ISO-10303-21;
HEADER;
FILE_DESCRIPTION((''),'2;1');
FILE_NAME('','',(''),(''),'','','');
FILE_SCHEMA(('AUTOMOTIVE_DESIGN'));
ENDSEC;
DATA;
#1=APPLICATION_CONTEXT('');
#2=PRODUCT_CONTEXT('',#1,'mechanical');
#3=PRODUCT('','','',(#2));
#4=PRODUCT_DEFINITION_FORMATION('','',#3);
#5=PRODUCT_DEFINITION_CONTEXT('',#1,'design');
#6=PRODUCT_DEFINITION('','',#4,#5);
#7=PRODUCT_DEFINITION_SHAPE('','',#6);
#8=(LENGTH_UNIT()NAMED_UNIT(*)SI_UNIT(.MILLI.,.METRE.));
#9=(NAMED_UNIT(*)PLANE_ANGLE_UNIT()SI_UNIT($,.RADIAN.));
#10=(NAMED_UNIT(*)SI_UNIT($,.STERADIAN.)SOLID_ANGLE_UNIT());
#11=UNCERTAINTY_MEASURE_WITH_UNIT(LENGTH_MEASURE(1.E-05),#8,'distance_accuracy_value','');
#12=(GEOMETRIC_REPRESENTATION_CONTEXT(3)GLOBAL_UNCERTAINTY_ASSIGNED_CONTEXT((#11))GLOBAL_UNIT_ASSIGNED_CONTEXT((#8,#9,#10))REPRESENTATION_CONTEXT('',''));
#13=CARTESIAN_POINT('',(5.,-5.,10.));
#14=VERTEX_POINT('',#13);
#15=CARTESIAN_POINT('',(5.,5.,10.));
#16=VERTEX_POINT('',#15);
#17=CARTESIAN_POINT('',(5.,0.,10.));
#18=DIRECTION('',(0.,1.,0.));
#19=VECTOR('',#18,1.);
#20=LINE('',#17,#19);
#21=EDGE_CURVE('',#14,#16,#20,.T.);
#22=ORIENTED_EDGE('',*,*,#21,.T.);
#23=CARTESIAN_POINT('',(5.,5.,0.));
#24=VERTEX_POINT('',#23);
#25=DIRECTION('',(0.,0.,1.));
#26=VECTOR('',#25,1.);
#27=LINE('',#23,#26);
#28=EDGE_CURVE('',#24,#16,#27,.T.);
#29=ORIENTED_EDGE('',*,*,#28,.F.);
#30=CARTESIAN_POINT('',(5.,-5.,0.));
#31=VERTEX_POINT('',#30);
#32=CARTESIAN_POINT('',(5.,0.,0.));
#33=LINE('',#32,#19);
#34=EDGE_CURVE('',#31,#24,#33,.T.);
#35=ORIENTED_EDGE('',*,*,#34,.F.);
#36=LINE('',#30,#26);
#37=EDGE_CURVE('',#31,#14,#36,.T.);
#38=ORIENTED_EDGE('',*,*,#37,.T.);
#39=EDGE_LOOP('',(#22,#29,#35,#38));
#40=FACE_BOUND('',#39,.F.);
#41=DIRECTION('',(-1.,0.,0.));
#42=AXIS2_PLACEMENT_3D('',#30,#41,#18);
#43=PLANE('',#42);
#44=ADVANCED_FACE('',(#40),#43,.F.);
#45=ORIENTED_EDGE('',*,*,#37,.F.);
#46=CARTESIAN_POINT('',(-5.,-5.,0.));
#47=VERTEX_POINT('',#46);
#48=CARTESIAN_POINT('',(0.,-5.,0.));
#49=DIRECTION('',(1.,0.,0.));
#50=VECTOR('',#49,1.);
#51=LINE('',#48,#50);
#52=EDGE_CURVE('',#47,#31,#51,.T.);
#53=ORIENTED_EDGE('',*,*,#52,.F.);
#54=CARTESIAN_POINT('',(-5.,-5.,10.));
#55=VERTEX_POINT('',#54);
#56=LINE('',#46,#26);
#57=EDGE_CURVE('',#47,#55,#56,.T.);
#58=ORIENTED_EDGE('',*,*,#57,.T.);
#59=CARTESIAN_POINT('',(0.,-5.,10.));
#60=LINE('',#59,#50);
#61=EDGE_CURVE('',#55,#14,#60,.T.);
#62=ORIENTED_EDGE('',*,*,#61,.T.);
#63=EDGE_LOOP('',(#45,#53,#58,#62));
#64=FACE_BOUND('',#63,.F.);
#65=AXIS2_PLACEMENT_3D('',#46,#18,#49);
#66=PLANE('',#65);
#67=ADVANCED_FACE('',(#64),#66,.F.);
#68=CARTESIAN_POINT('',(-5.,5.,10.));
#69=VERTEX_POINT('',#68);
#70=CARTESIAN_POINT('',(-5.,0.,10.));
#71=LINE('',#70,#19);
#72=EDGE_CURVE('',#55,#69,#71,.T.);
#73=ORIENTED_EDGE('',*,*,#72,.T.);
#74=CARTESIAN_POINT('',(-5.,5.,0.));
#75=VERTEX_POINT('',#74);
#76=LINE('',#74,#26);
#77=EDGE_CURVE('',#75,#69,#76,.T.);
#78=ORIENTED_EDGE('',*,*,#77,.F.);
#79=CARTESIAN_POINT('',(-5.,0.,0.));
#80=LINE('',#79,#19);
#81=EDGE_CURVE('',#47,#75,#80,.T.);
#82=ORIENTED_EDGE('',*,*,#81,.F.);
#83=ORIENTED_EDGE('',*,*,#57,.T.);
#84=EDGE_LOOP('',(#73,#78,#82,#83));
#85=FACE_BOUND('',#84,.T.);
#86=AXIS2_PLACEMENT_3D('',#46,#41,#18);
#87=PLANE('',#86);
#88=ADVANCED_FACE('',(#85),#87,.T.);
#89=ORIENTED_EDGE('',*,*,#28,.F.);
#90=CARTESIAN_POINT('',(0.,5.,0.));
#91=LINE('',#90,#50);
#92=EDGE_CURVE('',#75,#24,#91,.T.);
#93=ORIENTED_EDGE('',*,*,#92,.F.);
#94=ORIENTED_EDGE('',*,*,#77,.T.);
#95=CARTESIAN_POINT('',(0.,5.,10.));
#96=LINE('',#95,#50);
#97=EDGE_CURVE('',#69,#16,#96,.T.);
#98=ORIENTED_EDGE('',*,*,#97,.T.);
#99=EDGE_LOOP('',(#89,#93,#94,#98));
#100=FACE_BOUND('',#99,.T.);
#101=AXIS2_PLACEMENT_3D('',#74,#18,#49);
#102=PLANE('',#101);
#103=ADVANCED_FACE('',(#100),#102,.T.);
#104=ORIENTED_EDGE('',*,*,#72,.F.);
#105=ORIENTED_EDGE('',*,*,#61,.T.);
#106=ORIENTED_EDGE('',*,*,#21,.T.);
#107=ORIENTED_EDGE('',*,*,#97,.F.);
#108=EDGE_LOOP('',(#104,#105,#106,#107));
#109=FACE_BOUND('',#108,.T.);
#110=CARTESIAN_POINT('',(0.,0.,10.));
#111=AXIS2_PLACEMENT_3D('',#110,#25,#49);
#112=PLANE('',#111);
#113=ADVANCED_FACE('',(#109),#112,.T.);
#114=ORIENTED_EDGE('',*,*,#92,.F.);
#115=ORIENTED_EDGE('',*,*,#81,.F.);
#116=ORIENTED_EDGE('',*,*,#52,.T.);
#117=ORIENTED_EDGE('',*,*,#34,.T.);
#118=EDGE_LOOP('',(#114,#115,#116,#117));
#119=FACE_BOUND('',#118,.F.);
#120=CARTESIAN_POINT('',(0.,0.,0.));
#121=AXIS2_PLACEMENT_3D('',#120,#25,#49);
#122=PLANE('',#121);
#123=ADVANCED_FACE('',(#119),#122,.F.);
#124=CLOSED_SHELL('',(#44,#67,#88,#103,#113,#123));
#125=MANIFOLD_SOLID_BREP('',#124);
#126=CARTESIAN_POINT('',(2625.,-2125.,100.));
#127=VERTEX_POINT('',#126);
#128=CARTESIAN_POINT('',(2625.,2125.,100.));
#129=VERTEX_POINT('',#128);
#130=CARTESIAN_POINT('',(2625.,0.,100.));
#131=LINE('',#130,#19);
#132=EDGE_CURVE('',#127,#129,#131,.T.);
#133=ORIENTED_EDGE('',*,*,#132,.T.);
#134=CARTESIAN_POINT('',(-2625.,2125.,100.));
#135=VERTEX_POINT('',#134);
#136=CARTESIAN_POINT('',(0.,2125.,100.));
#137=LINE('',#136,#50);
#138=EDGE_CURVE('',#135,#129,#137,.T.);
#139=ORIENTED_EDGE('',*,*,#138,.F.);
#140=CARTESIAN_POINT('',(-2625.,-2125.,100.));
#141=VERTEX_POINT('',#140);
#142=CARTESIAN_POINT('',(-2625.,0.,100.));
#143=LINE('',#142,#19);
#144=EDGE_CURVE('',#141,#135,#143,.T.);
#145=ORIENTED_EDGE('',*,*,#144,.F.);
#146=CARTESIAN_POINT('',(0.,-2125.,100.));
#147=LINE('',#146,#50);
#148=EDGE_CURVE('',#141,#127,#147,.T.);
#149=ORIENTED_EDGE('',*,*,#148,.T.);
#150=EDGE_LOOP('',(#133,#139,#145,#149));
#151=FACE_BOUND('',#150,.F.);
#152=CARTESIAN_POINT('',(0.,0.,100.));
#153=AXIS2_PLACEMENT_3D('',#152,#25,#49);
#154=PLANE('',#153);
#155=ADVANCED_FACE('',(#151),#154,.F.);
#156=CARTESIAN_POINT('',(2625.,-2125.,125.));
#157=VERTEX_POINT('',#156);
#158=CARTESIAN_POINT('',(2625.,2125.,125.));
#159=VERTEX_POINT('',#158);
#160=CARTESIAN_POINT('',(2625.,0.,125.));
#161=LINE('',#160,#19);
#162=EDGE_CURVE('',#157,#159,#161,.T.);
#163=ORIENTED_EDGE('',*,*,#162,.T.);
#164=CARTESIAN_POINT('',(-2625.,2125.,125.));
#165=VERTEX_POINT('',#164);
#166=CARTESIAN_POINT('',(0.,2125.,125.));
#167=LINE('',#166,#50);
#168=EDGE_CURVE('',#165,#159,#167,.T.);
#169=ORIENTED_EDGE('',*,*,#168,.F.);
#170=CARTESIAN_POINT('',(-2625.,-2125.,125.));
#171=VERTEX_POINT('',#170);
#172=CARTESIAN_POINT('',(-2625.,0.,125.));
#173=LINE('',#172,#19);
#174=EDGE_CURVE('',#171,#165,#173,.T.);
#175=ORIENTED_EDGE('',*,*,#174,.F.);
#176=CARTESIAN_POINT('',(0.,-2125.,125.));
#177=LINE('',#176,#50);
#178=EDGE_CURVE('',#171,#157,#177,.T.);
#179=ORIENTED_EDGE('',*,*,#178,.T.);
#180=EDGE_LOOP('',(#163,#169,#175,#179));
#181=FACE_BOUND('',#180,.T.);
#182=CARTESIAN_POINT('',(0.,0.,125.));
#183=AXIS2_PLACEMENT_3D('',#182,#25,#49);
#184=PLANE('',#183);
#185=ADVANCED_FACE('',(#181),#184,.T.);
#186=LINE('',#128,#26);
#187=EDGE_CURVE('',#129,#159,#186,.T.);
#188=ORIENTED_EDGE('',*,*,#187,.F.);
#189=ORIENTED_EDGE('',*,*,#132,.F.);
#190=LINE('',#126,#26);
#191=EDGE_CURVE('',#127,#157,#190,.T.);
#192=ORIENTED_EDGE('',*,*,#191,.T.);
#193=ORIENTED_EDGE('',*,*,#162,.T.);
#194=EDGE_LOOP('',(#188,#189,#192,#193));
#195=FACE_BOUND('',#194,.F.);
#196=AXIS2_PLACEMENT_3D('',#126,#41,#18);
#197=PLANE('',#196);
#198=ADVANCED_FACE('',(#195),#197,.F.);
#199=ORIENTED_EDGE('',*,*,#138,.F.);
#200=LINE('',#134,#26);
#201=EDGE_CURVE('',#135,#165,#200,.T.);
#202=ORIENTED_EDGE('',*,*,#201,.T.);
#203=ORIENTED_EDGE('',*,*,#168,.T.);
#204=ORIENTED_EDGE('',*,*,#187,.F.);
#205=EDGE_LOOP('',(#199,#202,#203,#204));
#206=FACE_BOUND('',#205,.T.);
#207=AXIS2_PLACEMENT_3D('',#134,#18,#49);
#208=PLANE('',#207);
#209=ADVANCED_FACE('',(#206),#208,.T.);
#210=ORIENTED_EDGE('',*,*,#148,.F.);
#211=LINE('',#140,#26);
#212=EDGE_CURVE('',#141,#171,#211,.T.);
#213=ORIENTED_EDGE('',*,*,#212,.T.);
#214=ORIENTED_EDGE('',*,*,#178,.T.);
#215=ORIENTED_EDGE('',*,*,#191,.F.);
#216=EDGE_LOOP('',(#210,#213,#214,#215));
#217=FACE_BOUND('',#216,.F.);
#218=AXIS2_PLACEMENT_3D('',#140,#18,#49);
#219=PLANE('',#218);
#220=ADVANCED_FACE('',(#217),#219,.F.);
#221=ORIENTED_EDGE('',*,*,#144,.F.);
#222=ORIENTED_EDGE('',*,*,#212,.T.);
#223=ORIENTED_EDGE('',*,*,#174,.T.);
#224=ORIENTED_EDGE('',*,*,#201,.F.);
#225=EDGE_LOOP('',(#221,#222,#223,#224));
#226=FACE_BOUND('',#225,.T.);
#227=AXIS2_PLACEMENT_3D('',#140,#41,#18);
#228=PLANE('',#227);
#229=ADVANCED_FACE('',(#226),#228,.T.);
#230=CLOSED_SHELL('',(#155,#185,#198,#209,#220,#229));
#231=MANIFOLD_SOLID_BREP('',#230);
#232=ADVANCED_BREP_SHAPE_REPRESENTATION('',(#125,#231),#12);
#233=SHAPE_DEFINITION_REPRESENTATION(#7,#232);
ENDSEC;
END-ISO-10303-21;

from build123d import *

# Parameters (mm, degrees)
F0_W     = 10
F0_H     = 10
F1_DEPTH = 10
F3_W     = 5250
F3_H     = 4250
F4_DEPTH = 25


with BuildPart() as f1:
    # F0 (on Top) → F1 (new body)
    with BuildSketch(Plane.XY):
        Rectangle(F0_W, F0_H)
    extrude(amount=F1_DEPTH)


with BuildPart() as f4:
    # F3 (on offset) → F4 (new body)
    with BuildSketch(Plane.XY.offset(100)):
        Rectangle(F3_W, F3_H)
    extrude(amount=F4_DEPTH)


solid = Compound([f1.part, f4.part])
